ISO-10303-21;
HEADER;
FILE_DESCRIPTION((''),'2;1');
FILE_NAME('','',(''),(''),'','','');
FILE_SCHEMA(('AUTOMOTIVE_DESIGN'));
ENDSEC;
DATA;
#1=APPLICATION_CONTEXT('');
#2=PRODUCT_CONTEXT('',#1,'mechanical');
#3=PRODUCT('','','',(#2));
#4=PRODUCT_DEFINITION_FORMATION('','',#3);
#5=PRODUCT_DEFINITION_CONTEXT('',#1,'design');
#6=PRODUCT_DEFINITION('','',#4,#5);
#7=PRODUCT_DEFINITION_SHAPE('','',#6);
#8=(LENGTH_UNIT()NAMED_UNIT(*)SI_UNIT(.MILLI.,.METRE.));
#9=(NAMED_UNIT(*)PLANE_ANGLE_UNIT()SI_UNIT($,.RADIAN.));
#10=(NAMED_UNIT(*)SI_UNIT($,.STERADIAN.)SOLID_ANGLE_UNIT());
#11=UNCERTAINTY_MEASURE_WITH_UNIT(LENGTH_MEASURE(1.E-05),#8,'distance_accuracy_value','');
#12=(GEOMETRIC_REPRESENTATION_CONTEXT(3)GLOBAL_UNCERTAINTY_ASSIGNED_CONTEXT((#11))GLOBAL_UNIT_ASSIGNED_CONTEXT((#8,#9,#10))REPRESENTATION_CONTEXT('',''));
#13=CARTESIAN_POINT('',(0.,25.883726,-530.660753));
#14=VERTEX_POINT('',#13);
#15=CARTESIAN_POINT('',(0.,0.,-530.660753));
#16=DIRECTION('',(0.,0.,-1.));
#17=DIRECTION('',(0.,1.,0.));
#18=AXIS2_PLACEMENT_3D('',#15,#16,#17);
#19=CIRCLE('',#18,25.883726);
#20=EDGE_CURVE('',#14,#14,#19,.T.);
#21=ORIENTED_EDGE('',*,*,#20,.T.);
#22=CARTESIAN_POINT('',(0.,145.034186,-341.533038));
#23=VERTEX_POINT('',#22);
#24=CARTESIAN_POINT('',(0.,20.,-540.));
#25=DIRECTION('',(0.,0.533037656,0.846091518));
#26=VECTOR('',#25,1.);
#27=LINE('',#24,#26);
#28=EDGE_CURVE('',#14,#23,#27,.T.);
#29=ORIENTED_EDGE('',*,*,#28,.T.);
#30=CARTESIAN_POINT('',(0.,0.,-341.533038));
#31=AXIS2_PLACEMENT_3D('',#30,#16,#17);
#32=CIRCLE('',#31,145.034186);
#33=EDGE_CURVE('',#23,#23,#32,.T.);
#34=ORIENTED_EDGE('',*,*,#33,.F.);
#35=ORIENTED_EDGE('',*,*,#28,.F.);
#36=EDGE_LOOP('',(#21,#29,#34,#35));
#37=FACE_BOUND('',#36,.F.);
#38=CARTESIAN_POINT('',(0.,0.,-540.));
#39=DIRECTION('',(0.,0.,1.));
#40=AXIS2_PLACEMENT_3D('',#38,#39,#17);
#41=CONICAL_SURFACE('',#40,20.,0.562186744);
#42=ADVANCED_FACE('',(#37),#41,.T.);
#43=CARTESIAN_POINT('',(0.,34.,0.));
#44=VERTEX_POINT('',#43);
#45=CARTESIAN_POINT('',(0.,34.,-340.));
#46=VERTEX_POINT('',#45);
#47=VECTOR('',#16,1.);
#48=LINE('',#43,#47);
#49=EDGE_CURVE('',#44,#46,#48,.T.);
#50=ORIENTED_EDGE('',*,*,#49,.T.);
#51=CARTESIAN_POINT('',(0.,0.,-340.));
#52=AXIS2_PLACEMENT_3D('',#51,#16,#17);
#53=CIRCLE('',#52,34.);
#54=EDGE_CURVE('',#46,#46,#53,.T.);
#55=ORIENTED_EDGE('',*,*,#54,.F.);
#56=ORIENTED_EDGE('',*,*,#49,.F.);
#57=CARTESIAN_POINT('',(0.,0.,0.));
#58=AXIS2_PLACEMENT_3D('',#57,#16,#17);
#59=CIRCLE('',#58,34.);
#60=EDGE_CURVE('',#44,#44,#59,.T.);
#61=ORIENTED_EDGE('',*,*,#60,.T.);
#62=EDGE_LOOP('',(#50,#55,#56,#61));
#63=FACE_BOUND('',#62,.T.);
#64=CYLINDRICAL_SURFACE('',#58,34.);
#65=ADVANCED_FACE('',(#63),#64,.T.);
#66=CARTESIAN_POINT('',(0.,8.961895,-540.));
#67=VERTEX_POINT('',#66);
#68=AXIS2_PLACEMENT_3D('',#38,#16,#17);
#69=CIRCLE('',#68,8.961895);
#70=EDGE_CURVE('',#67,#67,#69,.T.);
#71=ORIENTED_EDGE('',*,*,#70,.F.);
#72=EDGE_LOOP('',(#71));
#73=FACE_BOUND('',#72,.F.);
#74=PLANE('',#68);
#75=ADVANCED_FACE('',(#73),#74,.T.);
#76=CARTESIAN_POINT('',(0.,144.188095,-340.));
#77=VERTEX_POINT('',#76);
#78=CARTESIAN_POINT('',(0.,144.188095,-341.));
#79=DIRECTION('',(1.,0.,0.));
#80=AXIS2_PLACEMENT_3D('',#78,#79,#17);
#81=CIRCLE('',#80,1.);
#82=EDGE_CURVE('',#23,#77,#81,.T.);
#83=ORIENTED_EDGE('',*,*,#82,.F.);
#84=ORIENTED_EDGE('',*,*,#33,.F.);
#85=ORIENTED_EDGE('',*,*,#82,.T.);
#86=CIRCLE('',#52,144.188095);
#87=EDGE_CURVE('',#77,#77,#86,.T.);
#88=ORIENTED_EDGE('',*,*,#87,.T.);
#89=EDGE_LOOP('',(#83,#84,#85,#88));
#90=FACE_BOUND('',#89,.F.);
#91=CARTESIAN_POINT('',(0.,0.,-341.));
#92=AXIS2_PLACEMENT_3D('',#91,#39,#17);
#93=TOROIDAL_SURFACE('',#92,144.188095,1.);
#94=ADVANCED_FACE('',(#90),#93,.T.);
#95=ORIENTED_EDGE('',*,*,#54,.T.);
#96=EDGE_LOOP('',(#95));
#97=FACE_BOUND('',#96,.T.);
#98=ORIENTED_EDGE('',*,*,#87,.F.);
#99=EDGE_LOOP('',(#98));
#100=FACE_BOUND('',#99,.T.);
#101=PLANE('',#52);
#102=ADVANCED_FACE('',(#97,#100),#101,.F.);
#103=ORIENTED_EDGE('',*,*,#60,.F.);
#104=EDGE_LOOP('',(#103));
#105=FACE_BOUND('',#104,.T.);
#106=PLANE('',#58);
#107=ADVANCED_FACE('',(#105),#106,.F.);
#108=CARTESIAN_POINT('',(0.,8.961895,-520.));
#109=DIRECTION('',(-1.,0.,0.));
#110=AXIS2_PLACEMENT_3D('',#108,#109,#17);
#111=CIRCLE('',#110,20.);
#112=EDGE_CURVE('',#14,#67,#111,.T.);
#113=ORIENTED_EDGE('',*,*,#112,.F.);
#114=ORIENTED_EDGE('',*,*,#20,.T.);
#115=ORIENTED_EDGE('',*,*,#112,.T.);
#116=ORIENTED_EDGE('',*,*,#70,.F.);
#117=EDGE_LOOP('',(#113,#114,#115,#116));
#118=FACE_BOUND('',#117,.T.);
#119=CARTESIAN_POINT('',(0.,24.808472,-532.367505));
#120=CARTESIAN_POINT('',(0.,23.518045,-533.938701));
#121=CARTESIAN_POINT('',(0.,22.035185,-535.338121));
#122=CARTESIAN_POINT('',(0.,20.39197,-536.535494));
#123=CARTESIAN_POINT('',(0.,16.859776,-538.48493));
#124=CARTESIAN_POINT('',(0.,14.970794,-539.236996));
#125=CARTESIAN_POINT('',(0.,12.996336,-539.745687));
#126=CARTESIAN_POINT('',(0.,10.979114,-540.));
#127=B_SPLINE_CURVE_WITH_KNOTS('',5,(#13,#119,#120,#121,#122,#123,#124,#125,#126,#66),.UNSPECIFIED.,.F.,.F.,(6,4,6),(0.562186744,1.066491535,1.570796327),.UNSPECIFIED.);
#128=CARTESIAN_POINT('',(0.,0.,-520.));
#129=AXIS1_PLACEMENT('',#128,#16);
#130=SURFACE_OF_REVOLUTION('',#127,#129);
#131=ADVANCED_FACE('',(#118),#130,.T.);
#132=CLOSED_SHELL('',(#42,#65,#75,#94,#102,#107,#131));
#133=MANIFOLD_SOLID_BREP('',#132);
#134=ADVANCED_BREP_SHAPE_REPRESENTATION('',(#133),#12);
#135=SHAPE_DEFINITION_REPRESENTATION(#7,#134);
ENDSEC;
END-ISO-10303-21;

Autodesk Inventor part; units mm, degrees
ref_plane "YZ Plane" through (0, 0, 0) normal (1, 0, 0) x (0, 1, 0)
ref_plane "XZ Plane" through (0, 0, 0) normal (0, 1, 0) x (-1, 0, 0)
ref_plane "XY Plane" through (0, 0, 0) normal (0, 0, 1) x (1, 0, 0)
sketch "Sketch1" plane through (0, 0, 0) normal (1, 0, 0) x (0, 1, 0)
  line L0 (0, 0) -> (0, -540)
  line L1 (0, 0) -> (34, 0)
  line L2 (34, 0) -> (34, -340)
  line L3 (34, -340) -> (146, -340)
  line L4 (0, -540) -> (20, -540)
  line L5 (20, -540) -> (146, -340)
  dimension "d0" = 68
  dimension "d1" = 112
  dimension "d2" = 20
  dimension "d3" = 540
  dimension "d4" = 340
revolve "Revolution1" add sketch "Sketch1" angle 360 about axis through (0, 0, 0) along (0, 0, -1)
fillet "Fillet1" radius 20 1 edges at (0, -20, -540)
fillet "Fillet2" radius 1 1 edges at (0, -146, -340)
properties part number "ConoEntrata" material "Steel, Alloy"
